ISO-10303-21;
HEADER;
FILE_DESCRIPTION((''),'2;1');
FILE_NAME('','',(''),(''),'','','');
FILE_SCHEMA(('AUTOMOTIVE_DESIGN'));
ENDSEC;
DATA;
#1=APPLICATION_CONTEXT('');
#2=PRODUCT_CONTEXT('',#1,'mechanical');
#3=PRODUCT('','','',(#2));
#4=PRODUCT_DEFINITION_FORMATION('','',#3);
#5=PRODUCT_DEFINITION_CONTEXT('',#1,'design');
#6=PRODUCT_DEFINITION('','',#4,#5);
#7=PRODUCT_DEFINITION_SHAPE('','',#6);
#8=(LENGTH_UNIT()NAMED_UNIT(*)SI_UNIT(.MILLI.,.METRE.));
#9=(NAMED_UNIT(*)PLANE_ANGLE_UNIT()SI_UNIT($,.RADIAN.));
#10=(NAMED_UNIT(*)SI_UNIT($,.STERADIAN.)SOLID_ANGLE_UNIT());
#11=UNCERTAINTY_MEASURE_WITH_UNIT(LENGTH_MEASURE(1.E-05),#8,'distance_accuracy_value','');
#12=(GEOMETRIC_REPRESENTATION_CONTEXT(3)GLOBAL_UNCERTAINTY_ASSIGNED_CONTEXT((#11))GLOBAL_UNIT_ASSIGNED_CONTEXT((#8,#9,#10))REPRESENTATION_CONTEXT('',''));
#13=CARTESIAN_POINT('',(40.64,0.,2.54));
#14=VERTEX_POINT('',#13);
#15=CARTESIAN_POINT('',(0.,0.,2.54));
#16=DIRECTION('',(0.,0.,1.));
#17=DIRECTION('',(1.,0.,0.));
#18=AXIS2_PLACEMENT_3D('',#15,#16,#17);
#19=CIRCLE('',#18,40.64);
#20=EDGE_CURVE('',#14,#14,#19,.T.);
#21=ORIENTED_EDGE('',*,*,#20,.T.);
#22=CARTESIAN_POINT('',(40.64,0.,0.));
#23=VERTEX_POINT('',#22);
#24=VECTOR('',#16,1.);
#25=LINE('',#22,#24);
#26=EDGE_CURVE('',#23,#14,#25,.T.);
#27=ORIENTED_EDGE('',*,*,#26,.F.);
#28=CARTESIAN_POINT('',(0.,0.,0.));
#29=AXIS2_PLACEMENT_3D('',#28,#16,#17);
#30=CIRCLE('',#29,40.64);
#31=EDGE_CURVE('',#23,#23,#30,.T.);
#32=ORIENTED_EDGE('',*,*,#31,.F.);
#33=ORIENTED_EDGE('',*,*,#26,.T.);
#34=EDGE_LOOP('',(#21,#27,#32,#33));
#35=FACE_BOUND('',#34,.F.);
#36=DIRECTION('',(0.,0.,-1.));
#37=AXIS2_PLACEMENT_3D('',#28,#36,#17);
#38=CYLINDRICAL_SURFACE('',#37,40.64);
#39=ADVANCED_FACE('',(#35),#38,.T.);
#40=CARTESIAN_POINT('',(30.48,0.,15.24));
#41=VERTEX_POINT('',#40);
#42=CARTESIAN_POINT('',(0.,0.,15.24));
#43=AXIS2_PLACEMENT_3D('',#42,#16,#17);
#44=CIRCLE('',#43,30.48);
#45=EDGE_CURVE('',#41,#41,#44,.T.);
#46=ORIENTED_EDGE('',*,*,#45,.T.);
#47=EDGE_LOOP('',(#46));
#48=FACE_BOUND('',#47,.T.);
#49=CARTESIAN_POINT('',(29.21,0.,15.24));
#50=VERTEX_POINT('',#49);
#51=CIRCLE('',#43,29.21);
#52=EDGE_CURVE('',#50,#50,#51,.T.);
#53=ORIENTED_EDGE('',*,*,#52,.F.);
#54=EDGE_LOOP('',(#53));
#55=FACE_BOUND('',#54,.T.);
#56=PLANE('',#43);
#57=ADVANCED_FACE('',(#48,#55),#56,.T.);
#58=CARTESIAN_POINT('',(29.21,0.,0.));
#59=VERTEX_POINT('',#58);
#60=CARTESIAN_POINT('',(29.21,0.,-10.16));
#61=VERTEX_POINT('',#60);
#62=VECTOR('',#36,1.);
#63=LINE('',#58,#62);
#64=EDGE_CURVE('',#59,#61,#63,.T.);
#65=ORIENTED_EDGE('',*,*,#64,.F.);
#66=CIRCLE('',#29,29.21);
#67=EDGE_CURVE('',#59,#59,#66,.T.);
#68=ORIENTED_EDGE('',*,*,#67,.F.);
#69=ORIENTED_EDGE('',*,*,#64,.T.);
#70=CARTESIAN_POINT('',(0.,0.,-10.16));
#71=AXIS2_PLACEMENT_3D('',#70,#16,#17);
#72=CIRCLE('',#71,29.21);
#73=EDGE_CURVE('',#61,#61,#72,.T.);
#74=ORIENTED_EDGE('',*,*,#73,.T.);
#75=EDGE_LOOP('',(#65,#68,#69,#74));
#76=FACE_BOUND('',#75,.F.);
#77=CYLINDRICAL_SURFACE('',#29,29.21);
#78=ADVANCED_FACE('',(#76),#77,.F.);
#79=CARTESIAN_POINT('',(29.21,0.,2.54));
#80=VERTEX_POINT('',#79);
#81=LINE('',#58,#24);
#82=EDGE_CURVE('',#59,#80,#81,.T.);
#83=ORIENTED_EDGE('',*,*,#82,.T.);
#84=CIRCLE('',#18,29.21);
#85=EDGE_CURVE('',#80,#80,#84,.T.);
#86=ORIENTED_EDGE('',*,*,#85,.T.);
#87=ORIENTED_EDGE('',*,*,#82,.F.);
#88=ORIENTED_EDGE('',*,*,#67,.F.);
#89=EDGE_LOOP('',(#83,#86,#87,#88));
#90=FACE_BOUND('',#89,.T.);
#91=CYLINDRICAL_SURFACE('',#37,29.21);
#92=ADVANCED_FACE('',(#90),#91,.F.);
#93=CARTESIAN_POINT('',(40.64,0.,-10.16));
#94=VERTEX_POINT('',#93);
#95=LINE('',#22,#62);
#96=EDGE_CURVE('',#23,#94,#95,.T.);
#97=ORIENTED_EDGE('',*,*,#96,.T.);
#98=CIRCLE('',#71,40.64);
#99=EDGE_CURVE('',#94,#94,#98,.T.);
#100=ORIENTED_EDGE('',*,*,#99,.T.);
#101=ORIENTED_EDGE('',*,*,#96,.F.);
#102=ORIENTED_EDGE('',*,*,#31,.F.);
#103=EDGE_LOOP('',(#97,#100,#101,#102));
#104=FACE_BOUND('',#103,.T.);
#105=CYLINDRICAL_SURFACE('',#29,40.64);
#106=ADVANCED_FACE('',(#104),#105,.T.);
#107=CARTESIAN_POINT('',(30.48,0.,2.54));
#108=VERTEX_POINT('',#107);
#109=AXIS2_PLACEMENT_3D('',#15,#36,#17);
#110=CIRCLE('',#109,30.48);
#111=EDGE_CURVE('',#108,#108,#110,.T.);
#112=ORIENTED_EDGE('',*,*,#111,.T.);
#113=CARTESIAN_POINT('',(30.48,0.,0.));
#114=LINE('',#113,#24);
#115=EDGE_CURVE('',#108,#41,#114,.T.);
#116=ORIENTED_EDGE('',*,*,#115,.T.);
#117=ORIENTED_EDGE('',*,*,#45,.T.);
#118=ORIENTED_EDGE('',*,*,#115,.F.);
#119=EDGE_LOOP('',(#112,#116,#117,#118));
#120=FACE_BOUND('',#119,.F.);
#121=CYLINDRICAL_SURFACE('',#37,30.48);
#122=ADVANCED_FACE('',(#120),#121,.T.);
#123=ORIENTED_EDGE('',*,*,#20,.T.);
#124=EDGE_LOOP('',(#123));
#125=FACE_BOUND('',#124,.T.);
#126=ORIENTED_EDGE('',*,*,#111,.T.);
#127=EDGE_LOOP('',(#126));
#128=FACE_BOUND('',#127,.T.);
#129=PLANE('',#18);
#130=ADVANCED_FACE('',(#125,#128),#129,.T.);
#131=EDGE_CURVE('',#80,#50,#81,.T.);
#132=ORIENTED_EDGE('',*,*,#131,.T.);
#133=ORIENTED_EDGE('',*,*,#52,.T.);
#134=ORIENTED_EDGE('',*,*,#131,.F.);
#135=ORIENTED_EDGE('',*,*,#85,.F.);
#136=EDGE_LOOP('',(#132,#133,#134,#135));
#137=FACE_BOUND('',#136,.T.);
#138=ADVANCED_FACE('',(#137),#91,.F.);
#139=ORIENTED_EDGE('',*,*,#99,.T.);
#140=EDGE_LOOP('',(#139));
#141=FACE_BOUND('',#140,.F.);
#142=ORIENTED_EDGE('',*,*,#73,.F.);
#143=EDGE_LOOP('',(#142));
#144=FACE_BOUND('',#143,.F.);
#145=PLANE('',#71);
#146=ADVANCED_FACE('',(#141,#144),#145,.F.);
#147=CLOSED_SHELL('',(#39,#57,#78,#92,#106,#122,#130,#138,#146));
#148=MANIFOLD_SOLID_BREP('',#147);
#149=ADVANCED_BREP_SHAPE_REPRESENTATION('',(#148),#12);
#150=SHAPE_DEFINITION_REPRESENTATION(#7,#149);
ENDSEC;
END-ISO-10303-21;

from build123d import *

# Parameters (mm, degrees)
F0_R        = 40.64
F0_R_2      = 29.21
F1_DEPTH    = 10.16
F1_FACE_R   = 40.64
F1_FACE_R_2 = 29.21
F2_DEPTH    = 2.54
F3_R        = 30.48
F3_R_2      = 29.21
F4_DEPTH    = 15.24


with BuildPart() as f1:
    # F0 (on Top) → F1 (new body)
    with BuildSketch(Plane.XY):
        Circle(F0_R)
        Circle(F0_R_2, mode=Mode.SUBTRACT)
    extrude(amount=-F1_DEPTH)

    # F1_face (on face) → F2 (join)
    with BuildSketch(Plane.XY):
        Circle(F1_FACE_R)
        Circle(F1_FACE_R_2, mode=Mode.SUBTRACT)
    extrude(amount=F2_DEPTH)

    # F3 (on Top) → F4 (join)
    with BuildSketch(Plane.XY):
        Circle(F3_R)
        Circle(F3_R_2, mode=Mode.SUBTRACT)
    extrude(amount=F4_DEPTH)


solid = f1.part
